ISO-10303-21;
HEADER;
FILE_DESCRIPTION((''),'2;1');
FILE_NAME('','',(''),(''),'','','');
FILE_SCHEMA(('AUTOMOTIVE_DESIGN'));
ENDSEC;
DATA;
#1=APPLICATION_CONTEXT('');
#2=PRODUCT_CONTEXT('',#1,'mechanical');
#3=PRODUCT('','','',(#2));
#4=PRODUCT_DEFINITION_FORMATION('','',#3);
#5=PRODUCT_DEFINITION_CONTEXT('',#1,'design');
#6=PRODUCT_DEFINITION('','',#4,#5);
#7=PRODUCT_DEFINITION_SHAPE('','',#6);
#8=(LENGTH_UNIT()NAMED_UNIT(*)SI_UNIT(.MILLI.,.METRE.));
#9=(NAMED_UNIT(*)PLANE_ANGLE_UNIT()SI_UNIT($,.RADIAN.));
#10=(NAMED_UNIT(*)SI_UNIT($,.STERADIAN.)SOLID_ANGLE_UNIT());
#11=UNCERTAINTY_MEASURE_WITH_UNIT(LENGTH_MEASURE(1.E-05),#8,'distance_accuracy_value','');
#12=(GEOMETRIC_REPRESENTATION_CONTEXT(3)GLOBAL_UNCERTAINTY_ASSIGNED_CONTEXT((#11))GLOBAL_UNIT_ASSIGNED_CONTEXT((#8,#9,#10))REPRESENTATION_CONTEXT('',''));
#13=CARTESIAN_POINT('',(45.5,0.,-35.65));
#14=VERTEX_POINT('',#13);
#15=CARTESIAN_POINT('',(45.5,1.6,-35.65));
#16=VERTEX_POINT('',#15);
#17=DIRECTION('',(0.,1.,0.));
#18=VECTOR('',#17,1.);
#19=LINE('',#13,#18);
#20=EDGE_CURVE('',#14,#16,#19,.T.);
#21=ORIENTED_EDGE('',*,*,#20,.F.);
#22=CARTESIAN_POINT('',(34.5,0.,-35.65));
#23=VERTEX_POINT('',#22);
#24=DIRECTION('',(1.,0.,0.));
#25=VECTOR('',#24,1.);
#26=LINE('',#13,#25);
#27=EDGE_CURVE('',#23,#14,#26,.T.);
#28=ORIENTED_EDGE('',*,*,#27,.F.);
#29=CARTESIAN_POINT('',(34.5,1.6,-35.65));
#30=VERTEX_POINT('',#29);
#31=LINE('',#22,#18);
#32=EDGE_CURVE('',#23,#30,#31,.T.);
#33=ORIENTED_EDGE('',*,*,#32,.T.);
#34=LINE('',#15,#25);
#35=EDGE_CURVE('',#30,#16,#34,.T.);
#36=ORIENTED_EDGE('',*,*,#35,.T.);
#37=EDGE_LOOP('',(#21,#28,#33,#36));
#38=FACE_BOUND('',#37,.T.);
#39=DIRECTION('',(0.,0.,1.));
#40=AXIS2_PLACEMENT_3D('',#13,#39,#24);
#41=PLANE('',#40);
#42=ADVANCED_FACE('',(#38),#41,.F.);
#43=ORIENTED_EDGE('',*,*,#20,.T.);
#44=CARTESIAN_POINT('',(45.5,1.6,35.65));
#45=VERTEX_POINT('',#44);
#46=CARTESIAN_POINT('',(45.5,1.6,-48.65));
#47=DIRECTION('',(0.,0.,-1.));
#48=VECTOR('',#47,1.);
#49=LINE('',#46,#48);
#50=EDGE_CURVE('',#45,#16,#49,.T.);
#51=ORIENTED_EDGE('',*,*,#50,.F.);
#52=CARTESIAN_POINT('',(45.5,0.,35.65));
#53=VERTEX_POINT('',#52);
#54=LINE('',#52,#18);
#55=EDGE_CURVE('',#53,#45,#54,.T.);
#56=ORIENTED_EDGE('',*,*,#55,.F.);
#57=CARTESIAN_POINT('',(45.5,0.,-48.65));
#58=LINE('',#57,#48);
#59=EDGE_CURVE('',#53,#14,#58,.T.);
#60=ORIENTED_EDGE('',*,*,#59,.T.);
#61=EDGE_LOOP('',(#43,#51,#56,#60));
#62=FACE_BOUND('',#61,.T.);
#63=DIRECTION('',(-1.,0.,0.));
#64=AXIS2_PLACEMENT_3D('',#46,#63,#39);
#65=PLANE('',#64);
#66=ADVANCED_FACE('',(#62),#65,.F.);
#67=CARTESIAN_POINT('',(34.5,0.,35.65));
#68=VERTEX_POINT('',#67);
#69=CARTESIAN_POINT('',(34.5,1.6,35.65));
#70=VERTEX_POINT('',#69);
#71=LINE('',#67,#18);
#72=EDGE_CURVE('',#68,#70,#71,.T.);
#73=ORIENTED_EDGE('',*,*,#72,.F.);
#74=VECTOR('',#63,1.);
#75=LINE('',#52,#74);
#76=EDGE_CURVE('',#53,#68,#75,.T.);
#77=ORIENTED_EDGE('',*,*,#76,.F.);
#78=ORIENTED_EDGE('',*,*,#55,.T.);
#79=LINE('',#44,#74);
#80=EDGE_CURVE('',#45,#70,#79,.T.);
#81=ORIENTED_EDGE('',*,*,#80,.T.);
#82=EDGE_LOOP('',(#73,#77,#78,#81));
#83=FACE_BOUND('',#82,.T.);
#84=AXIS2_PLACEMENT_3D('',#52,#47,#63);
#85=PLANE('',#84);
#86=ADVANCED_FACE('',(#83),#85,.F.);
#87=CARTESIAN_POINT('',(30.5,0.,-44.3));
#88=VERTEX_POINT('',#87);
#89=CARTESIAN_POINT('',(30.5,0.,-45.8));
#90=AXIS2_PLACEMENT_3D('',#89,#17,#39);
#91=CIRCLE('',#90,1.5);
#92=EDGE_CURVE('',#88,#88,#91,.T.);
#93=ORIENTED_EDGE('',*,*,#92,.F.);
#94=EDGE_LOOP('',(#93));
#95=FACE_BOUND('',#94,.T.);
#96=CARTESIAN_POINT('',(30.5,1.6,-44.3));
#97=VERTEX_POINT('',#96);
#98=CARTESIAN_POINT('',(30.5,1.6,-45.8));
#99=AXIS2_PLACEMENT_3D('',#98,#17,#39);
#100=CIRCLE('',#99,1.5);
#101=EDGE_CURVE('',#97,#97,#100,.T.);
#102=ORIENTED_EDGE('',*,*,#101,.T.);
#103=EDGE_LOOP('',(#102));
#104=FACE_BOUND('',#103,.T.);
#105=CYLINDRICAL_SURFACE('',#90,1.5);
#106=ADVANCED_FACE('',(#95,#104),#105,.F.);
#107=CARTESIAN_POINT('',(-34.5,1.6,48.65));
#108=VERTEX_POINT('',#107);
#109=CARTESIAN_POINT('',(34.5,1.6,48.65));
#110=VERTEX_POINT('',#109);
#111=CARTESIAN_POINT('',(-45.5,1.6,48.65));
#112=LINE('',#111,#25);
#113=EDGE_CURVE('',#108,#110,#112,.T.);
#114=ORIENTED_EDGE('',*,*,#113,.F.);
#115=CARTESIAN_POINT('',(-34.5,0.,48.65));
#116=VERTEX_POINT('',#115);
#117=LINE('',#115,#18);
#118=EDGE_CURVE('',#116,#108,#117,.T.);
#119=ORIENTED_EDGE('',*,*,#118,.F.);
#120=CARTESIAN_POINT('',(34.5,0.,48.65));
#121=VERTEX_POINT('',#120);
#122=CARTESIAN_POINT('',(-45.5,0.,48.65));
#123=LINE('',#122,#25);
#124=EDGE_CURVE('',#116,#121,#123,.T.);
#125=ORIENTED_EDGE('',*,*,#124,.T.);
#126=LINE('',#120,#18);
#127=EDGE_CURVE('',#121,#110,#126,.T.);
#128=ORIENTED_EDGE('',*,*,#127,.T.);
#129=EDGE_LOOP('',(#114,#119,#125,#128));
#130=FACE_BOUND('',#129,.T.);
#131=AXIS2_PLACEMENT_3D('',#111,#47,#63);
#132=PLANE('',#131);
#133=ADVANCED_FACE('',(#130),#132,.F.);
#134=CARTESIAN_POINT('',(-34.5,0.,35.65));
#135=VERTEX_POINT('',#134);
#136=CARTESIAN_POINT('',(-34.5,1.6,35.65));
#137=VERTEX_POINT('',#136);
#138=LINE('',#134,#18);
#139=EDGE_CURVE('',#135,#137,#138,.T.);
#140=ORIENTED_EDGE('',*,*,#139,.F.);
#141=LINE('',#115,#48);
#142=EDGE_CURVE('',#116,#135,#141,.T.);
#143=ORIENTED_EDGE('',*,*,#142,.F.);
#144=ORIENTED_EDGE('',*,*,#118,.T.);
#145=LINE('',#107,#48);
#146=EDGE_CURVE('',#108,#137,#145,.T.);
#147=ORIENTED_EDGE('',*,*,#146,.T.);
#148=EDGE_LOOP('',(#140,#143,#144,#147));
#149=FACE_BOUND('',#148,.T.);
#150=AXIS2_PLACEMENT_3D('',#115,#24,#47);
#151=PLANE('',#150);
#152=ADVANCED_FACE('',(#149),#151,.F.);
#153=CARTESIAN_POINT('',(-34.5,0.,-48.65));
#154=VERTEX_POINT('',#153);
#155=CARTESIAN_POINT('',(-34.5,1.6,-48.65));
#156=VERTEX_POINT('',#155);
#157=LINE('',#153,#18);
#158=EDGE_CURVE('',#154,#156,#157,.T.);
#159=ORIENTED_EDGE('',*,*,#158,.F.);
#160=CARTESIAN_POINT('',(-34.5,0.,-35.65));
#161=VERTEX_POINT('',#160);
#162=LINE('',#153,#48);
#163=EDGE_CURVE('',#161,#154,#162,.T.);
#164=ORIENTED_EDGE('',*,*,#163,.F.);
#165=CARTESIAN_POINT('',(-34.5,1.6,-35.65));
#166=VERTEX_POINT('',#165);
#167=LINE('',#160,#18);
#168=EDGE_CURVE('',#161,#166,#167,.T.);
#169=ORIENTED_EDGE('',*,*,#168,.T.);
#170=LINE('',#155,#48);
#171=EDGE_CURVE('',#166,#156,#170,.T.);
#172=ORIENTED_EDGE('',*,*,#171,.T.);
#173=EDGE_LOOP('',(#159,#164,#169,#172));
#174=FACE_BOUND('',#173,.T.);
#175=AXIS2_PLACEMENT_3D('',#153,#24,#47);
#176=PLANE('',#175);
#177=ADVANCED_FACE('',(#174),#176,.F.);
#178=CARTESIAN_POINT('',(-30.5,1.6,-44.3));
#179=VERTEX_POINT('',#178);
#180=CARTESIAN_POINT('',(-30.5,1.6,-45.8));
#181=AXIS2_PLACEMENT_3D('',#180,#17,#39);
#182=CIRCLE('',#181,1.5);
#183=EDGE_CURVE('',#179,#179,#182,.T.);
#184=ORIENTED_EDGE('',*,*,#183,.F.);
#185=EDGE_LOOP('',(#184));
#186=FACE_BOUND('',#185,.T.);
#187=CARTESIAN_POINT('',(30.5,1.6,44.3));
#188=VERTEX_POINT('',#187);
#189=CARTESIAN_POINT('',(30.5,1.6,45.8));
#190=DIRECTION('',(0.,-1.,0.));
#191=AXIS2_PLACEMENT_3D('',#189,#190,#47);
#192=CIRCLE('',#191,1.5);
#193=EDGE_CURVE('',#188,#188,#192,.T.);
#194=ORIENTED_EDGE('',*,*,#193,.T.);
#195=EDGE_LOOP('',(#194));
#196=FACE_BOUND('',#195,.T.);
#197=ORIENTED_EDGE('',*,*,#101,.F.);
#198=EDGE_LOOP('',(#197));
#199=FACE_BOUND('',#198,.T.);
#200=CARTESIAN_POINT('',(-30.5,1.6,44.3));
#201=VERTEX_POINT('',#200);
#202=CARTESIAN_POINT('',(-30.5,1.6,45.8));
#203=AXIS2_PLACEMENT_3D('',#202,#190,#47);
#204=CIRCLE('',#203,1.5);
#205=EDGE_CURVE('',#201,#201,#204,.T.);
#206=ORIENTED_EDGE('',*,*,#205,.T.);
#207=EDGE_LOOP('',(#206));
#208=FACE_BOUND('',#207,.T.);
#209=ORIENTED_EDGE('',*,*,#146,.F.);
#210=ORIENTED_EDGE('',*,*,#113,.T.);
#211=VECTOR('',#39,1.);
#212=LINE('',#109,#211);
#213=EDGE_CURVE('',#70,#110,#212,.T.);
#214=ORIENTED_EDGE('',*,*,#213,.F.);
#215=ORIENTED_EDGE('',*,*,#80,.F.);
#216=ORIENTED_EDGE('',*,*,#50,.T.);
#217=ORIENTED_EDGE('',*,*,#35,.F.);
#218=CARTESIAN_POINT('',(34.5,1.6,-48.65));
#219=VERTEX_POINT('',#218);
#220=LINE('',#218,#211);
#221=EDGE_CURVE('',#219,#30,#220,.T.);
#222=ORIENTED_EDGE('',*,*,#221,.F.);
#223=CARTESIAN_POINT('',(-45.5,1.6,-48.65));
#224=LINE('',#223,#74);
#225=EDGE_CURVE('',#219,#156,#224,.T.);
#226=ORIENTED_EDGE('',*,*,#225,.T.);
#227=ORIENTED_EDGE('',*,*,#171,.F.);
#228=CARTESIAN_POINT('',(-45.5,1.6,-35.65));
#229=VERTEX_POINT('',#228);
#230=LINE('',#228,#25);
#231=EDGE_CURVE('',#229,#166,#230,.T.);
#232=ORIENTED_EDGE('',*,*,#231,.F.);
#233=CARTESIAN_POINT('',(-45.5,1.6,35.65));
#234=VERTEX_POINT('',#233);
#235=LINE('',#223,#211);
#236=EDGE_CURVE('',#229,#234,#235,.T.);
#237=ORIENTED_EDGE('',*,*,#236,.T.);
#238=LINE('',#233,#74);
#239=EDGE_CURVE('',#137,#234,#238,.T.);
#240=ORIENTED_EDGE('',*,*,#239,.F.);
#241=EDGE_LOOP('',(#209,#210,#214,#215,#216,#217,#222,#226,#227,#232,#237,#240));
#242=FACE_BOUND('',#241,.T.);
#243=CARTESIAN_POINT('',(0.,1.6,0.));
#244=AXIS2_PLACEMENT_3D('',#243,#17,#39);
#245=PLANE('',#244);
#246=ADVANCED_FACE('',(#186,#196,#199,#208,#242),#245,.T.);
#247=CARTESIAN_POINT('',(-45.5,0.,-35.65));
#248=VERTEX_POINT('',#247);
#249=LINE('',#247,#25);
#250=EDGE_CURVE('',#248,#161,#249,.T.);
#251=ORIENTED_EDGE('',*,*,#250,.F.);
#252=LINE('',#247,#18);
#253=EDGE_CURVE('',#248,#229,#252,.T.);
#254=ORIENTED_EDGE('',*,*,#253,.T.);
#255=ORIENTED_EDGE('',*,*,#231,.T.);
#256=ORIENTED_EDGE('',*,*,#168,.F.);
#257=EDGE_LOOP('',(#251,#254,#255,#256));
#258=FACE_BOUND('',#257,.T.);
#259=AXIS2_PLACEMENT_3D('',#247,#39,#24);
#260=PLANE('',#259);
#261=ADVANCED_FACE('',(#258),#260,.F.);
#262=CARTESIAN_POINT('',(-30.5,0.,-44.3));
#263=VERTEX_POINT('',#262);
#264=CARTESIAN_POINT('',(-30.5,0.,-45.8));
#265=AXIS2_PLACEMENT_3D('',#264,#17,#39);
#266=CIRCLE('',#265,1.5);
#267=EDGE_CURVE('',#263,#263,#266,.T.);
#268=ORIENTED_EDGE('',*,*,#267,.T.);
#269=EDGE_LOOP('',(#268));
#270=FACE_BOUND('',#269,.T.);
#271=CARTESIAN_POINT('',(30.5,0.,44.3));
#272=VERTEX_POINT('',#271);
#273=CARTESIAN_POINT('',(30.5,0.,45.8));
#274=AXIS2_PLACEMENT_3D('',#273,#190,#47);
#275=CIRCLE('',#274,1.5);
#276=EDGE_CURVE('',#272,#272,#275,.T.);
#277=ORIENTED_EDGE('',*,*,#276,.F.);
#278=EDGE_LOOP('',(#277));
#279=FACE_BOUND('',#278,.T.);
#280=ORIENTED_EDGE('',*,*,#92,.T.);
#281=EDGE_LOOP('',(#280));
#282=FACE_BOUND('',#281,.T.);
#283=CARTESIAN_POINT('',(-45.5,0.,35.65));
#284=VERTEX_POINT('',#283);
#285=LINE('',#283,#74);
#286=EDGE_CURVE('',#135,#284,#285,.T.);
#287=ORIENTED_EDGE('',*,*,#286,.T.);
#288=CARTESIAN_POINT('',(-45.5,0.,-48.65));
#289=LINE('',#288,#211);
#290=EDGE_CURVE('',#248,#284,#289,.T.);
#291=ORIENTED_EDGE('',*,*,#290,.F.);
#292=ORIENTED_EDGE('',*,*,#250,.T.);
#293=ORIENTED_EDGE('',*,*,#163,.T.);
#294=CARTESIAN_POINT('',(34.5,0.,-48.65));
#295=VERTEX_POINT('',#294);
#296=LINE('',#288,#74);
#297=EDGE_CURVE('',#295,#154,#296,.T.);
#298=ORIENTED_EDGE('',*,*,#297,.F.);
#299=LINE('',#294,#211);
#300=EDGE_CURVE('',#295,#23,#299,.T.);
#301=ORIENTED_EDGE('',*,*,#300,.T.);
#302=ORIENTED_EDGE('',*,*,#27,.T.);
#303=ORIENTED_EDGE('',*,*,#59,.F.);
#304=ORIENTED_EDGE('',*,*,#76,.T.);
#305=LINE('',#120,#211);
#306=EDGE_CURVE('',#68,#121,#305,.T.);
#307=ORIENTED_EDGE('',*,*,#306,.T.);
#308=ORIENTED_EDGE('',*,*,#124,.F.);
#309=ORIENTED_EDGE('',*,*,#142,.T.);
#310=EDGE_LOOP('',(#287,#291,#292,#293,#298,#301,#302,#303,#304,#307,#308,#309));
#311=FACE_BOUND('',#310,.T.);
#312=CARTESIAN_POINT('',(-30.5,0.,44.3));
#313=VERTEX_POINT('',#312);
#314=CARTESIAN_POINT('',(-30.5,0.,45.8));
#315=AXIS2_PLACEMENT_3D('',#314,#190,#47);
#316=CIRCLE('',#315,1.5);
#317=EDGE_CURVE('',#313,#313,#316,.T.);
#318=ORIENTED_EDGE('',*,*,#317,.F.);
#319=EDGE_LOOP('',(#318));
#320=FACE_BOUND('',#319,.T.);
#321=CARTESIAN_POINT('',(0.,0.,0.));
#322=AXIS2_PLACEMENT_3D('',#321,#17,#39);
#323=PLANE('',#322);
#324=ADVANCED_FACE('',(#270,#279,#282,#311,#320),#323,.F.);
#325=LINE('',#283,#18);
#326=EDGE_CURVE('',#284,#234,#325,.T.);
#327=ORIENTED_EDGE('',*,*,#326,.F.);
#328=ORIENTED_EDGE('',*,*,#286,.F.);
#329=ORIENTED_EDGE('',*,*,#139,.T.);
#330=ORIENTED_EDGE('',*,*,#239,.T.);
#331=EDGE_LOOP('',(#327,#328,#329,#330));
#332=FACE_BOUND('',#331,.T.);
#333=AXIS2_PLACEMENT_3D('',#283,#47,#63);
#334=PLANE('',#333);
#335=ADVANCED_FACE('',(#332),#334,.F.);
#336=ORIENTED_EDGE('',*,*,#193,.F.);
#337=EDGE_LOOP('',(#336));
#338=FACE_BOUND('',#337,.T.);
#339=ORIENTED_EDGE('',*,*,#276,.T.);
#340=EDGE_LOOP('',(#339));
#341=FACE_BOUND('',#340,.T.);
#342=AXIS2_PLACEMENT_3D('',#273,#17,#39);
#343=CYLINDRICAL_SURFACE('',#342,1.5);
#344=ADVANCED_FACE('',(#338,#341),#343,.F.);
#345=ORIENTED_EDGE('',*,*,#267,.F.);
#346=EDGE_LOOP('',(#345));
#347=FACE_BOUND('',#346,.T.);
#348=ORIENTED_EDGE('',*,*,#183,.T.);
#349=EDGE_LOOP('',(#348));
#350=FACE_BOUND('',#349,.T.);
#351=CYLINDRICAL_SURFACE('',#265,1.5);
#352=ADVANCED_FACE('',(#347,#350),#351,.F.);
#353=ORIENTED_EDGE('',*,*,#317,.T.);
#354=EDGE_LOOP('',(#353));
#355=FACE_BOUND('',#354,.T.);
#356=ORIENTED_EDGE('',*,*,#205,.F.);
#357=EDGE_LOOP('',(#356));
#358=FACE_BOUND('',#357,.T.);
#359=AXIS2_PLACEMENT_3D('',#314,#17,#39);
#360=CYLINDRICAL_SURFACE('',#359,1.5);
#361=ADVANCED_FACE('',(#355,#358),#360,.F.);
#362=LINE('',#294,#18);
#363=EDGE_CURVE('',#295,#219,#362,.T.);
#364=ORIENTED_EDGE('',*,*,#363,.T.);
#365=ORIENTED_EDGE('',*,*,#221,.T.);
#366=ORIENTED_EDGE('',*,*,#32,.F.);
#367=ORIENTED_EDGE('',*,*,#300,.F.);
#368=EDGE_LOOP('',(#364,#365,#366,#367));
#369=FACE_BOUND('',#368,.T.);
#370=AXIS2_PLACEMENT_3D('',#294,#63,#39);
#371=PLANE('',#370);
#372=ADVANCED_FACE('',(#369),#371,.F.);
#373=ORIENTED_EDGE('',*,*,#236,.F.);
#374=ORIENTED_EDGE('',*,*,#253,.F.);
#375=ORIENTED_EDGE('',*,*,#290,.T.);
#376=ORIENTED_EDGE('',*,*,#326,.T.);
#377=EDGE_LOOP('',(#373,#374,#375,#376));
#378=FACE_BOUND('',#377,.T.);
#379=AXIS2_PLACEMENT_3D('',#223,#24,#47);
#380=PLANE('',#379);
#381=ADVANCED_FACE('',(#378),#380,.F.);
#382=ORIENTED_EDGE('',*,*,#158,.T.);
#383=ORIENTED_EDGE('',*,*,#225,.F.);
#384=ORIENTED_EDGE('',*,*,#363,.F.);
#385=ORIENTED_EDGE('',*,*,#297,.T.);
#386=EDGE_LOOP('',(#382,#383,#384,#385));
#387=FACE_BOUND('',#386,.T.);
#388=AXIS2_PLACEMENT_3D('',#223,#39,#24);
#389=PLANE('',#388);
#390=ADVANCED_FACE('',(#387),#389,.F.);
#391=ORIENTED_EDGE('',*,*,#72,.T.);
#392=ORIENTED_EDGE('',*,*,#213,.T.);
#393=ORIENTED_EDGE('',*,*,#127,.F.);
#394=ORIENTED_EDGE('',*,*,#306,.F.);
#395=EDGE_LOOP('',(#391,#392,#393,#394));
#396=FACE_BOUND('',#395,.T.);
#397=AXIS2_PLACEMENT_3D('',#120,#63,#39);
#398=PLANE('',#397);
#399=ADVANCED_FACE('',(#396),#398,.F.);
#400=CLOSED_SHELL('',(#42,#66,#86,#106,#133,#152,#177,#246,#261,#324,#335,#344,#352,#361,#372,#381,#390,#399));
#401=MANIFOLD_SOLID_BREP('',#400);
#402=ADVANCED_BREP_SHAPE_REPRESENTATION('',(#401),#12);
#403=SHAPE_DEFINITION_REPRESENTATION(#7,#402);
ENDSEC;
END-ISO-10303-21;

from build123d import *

# Parameters (mm, degrees)
SKETCH1_W           = 91
SKETCH1_H           = 97.3
BOSS_EXTRUDE1_DEPTH = 1.6
SKETCH2_W           = 11
SKETCH2_H           = 13
CUT_EXTRUDE1_DEPTH  = 1.6
SKETCH3_R           = 1.5
CUT_EXTRUDE2_DEPTH  = 1.6


with BuildPart() as part:
    # Sketch1 → Boss-Extrude1 (new body)
    with BuildSketch(Plane(origin=(0, 0, 0), x_dir=(1, 0, 0), z_dir=(0, 1, 0))):
        Rectangle(SKETCH1_W, SKETCH1_H)
    extrude(amount=BOSS_EXTRUDE1_DEPTH)

    # Sketch2 → Cut-Extrude1 (cut)
    with BuildSketch(Plane(origin=(0, 1.6, 0), x_dir=(1, 0, 0), z_dir=(0, 1, 0))):
        with Locations((-40, 42.15)):
            Rectangle(SKETCH2_W, SKETCH2_H)
        with Locations((40, 42.15)):
            Rectangle(SKETCH2_W, SKETCH2_H)
        with Locations((-40, -42.15)):
            Rectangle(SKETCH2_W, SKETCH2_H)
        with Locations((40, -42.15)):
            Rectangle(SKETCH2_W, SKETCH2_H)
    extrude(amount=-CUT_EXTRUDE1_DEPTH, mode=Mode.SUBTRACT)

    # Sketch3 → Cut-Extrude2 (cut)
    with BuildSketch(Plane(origin=(0, 1.6, 0), x_dir=(1, 0, 0), z_dir=(0, 1, 0))):
        with Locations((-30.5, 45.8)):
            Circle(SKETCH3_R)
        with Locations((30.5, 45.8)):
            Circle(SKETCH3_R)
    cut_extrude2 = extrude(amount=-CUT_EXTRUDE2_DEPTH, mode=Mode.SUBTRACT)

    # Mirror1: Cut-Extrude2 across plane
    add(cut_extrude2.mirror(Plane.XY), mode=Mode.SUBTRACT)


solid = part.part
